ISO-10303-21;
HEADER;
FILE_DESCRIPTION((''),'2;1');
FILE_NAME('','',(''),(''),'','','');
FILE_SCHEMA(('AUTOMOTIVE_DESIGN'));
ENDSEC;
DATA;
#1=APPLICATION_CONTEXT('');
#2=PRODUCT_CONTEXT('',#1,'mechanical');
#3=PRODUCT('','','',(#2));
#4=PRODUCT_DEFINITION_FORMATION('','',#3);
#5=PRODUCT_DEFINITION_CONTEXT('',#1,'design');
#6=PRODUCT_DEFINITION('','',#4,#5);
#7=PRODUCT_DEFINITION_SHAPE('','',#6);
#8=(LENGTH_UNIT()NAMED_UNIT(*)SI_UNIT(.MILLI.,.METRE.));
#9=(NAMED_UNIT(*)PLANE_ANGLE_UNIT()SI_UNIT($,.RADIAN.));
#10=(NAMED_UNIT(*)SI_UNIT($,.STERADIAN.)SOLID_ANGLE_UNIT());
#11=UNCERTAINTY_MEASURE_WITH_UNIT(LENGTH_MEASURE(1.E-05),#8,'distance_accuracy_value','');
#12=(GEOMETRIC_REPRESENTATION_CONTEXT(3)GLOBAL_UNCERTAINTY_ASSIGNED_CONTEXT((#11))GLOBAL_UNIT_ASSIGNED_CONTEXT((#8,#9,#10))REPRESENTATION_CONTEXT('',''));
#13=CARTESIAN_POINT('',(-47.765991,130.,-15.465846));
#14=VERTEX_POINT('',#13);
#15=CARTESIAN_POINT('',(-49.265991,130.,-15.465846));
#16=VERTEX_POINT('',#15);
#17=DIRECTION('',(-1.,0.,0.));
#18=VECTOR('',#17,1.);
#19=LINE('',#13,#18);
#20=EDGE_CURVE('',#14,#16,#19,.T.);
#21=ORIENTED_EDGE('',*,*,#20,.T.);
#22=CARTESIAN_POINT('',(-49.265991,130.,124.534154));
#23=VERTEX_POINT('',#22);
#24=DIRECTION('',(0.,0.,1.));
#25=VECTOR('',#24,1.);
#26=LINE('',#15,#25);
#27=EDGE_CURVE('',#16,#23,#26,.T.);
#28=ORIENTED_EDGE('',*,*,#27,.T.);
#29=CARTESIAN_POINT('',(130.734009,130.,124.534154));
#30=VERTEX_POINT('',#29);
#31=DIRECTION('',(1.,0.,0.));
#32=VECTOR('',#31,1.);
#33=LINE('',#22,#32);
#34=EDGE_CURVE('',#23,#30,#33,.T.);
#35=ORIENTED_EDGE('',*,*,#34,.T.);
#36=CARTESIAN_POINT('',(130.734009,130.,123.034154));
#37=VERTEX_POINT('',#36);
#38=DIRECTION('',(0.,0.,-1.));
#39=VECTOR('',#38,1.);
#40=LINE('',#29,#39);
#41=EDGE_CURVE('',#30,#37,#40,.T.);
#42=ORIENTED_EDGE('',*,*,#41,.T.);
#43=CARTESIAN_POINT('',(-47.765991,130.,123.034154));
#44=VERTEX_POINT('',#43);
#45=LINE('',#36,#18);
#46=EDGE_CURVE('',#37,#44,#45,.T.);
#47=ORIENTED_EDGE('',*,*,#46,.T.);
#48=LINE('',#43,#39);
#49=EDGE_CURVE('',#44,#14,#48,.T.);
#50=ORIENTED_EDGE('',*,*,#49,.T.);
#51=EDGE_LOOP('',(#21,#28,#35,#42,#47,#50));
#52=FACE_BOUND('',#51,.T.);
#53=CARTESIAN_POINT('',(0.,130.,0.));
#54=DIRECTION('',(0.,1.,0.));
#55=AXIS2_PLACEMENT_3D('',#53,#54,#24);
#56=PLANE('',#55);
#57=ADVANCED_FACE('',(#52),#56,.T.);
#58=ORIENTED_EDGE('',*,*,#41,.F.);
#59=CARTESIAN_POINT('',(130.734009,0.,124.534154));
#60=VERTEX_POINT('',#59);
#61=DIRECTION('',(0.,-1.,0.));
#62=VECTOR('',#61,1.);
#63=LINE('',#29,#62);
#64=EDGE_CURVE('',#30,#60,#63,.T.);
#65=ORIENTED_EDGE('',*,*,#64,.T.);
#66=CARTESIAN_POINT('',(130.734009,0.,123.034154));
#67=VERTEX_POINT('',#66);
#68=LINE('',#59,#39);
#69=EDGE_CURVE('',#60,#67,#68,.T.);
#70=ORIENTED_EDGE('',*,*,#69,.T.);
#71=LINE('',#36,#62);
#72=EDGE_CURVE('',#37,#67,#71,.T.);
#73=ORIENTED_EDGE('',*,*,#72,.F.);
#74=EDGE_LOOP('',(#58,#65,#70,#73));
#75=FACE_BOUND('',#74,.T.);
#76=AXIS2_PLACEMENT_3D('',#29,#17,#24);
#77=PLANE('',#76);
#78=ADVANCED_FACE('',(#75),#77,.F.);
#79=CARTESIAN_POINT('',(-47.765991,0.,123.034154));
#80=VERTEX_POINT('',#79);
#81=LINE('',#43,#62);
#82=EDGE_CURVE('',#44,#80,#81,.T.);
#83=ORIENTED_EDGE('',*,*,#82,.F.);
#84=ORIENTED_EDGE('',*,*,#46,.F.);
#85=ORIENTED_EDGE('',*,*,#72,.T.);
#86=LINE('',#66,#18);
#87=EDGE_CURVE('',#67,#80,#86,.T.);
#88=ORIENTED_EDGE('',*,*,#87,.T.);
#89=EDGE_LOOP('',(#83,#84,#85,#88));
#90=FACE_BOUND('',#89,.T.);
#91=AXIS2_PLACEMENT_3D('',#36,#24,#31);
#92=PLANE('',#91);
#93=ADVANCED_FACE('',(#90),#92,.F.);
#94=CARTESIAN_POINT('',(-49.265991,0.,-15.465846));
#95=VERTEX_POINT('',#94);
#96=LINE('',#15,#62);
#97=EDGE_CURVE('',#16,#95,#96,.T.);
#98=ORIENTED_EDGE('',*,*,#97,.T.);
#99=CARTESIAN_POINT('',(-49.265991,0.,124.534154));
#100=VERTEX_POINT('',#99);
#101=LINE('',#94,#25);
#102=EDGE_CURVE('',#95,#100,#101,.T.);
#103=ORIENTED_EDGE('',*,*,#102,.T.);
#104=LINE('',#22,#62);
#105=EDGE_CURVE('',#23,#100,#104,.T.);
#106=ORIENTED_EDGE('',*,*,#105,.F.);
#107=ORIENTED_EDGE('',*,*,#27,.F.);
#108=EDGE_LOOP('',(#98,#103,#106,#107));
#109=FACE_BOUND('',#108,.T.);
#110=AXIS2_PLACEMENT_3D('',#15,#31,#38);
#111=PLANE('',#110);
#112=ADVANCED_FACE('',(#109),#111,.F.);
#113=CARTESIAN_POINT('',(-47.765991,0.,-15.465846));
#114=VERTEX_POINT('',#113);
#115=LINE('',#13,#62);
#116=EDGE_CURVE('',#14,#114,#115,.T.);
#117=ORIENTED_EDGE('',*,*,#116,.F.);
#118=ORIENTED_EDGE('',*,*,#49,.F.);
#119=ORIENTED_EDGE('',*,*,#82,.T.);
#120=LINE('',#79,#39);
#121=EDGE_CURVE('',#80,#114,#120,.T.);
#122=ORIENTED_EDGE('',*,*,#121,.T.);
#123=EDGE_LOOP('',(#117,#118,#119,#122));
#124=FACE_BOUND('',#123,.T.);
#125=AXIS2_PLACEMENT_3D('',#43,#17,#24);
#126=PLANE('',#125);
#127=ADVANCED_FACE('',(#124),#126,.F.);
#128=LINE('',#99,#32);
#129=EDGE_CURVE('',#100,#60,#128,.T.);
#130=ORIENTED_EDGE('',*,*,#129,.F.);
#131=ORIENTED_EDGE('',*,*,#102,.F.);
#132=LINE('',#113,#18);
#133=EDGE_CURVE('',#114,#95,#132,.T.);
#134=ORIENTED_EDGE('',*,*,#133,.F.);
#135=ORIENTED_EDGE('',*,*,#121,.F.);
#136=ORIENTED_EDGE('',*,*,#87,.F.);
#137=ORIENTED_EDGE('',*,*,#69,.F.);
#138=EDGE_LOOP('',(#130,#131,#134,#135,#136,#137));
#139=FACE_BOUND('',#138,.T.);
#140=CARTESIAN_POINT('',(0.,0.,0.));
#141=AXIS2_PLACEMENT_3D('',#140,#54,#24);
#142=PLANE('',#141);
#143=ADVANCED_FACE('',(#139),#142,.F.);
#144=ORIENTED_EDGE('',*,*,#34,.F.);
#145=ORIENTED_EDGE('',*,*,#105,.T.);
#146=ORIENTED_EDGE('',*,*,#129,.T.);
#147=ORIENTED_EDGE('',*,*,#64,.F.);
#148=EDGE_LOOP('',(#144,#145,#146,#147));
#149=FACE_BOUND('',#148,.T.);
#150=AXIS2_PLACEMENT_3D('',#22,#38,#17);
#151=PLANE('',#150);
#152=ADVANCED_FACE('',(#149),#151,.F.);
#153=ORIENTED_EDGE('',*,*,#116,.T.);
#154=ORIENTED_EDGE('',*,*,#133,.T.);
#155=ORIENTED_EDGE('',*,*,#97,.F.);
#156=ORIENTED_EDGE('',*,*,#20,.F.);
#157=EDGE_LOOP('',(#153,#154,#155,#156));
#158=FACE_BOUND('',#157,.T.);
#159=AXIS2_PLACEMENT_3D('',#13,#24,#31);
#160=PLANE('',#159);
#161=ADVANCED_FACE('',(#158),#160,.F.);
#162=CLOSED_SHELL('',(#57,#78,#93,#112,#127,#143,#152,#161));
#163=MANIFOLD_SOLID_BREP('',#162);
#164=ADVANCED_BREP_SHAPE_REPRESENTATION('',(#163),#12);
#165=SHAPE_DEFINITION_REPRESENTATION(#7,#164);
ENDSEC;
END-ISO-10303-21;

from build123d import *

# Parameters (mm, degrees)
BOSS_EXTRUDE2_DEPTH = 130


with BuildPart() as part:
    # Sketch3 → Boss-Extrude2 (new body)
    with BuildSketch(Plane(origin=(0, 0, 0), x_dir=(1, 0, 0), z_dir=(0, 1, 0))):
        Polygon((-49.265991256, 15.465845713), (-49.265991256, -124.534154287), (130.734008744, -124.534154287), (130.734008744, -123.034154287), (-47.765991256, -123.034154287), (-47.765991256, 15.465845713), align=None)
    extrude(amount=BOSS_EXTRUDE2_DEPTH)


solid = part.part
